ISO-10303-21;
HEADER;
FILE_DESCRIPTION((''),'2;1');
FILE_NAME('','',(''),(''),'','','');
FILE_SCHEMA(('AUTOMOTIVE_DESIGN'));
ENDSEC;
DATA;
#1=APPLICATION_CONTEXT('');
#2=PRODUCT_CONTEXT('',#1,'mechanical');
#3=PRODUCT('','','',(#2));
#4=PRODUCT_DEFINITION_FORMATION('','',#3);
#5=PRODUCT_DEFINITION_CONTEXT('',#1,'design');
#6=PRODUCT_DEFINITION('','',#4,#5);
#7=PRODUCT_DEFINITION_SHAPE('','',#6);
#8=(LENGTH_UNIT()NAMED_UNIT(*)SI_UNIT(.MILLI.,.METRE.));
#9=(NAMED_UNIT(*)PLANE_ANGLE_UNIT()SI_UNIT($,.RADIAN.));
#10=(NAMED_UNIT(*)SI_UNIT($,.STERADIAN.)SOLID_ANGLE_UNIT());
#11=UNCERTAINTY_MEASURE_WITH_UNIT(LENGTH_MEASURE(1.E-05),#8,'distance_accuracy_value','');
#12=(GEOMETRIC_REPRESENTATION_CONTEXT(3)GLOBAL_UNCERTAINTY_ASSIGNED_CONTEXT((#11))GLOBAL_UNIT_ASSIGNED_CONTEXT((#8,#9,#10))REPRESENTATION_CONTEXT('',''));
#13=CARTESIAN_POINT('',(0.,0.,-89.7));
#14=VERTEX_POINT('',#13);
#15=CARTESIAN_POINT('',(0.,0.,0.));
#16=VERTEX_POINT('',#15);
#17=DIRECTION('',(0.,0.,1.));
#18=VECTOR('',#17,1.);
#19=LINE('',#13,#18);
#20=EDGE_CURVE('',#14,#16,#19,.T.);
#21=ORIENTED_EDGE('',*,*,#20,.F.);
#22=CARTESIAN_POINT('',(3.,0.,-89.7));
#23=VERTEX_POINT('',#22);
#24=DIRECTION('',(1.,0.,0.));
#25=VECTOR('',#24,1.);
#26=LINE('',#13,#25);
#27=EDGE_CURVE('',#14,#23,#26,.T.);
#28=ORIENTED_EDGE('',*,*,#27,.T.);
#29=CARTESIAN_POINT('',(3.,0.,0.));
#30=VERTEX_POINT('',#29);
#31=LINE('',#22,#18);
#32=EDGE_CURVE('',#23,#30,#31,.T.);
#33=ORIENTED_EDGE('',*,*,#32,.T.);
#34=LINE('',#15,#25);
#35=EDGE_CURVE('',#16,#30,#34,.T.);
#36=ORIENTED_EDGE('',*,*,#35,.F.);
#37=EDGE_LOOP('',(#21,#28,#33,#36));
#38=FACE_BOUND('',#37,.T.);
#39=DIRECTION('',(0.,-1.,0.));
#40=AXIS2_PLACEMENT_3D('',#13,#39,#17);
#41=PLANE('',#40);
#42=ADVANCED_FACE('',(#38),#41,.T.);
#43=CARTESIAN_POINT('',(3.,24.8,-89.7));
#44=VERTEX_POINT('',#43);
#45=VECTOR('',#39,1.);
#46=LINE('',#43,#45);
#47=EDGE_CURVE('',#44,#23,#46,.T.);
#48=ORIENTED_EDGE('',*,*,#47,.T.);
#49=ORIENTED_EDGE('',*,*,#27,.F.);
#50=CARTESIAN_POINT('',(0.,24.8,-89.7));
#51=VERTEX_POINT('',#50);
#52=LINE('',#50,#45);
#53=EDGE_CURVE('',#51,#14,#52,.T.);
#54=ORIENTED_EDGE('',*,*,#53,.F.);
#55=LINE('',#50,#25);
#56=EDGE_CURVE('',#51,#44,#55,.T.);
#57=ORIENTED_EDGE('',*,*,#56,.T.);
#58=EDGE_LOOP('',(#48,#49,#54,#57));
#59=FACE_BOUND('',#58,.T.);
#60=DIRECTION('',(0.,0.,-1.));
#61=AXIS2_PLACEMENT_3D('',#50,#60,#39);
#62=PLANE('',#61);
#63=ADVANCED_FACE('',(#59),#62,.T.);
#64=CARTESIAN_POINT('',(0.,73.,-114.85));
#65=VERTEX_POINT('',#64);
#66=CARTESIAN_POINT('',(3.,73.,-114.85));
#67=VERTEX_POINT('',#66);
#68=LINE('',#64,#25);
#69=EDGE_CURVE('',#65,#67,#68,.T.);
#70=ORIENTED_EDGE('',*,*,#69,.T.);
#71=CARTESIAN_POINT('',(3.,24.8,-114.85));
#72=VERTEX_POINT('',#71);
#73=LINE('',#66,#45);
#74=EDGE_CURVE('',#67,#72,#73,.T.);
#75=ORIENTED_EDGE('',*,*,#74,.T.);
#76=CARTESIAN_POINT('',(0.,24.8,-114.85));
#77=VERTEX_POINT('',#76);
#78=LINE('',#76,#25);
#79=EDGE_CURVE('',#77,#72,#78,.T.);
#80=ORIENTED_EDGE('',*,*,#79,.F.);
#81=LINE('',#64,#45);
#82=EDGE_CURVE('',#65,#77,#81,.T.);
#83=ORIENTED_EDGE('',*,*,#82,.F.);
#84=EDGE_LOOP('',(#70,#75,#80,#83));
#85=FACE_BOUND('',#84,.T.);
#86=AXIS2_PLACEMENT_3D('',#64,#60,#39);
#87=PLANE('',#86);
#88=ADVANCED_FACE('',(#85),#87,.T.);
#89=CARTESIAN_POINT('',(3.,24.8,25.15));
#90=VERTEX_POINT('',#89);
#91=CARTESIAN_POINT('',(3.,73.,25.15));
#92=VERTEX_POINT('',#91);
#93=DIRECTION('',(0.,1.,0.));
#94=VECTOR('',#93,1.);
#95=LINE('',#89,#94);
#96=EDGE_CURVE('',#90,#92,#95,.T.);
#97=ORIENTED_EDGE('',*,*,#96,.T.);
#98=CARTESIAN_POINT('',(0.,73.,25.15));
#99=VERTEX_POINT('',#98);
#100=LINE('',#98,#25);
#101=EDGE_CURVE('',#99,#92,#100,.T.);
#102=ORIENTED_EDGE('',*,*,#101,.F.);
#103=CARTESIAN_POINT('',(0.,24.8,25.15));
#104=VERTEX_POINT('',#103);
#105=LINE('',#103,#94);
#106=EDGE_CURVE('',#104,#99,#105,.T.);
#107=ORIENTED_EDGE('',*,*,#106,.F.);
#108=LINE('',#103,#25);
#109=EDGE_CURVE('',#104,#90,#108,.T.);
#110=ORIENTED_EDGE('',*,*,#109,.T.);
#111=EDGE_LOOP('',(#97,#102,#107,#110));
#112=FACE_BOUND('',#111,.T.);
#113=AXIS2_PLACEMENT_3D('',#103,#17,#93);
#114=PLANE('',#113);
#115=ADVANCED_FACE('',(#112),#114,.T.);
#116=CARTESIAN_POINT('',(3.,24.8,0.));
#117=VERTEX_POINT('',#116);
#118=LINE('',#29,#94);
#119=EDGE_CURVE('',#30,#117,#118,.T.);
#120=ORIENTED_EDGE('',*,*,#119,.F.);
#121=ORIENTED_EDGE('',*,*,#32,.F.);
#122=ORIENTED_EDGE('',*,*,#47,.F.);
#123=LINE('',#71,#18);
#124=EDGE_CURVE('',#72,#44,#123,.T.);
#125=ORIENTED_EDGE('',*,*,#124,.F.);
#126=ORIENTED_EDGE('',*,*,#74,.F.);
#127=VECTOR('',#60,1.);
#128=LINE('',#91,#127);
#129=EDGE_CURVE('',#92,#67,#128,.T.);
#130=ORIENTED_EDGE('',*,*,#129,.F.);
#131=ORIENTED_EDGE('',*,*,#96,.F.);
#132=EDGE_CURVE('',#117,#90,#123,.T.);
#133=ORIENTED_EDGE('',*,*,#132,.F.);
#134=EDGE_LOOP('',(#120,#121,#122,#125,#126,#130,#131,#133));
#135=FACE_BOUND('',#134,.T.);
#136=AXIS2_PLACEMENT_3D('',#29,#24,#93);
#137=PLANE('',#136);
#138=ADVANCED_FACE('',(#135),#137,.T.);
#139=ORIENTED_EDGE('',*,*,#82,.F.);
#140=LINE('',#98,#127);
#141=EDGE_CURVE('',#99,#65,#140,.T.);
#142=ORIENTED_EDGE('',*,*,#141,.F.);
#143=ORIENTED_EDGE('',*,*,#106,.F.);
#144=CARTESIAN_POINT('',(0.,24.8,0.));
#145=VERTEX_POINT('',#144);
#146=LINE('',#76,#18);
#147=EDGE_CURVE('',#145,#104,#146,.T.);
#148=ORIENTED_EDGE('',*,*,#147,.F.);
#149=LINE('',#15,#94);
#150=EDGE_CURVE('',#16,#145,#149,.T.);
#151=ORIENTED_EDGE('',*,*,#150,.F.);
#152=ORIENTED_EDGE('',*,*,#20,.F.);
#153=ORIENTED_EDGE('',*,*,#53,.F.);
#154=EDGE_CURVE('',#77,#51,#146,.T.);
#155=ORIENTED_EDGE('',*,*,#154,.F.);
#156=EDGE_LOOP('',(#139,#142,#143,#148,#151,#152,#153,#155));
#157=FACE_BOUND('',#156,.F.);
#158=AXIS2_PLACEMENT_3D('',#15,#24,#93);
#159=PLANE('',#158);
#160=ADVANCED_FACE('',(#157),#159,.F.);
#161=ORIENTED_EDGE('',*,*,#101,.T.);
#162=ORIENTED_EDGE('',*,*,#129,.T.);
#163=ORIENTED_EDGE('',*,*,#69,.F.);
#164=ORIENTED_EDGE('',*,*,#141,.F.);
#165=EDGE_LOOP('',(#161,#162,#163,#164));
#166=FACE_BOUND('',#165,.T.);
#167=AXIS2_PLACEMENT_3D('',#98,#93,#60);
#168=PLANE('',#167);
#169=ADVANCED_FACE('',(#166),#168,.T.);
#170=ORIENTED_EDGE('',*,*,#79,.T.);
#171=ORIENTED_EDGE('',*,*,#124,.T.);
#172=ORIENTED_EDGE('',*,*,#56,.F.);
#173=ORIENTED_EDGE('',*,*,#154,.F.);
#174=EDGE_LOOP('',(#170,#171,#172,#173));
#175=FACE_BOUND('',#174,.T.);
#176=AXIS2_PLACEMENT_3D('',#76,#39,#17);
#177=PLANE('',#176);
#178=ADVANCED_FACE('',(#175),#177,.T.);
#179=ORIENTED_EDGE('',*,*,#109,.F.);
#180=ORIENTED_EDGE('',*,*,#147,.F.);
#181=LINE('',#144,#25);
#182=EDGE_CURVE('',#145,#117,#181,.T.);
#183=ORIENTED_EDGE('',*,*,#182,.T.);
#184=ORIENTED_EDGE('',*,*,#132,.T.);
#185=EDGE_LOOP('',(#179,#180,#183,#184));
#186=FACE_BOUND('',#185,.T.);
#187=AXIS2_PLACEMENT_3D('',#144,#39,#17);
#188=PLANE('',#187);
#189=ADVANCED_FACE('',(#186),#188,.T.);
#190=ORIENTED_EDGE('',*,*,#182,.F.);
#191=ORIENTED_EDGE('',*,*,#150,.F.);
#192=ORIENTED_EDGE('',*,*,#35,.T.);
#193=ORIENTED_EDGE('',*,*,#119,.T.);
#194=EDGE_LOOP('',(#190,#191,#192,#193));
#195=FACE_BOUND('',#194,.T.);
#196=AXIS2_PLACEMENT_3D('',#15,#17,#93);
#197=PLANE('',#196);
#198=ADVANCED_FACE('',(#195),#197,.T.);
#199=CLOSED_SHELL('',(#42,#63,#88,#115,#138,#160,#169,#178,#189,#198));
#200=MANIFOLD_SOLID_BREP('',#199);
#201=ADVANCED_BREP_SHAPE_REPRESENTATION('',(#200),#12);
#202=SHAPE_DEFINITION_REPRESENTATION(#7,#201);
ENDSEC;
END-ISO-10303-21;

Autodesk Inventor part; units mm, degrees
ref_plane "YZ Plane" through (0, 0, 0) normal (1, 0, 0) x (0, 1, 0)
ref_plane "XZ Plane" through (0, 0, 0) normal (0, 1, 0) x (-1, 0, 0)
ref_plane "XY Plane" through (0, 0, 0) normal (0, 0, 1) x (1, 0, 0)
sketch "Boceto1" plane through (0, 0, 0) normal (1, 0, 0) x (0, 1, 0)
  line L0 (0, 0) -> (24.8, 0)
  line L1 (24.8, 0) -> (24.8, -89.7)
  line L2 (24.8, -89.7) -> (0, -89.7)
  line L3 (0, -89.7) -> (0, 0)
  line L4 (0, -44.85) -> (73, -44.85) construction
  line L5 (24.8, -44.85) -> (73, -44.85) construction
  line L6 (24.8, 25.15) -> (73, 25.15)
  line L7 (73, 25.15) -> (73, -114.85)
  line L8 (73, -114.85) -> (24.8, -114.85)
  line L9 (24.8, -114.85) -> (24.8, 25.15)
  line L10 (24.8, 25.15) -> (73, -114.85) construction
  line L11 (73, 25.15) -> (24.8, -114.85) construction
  point P0 (48.9, -44.85)
  dimension "d0" = 24.8
  dimension "d1" = 89.7
  dimension "d2" = 73
  dimension "d3" = 140
extrude "Extrusión1" add sketch "Boceto1" along normal blind 3
